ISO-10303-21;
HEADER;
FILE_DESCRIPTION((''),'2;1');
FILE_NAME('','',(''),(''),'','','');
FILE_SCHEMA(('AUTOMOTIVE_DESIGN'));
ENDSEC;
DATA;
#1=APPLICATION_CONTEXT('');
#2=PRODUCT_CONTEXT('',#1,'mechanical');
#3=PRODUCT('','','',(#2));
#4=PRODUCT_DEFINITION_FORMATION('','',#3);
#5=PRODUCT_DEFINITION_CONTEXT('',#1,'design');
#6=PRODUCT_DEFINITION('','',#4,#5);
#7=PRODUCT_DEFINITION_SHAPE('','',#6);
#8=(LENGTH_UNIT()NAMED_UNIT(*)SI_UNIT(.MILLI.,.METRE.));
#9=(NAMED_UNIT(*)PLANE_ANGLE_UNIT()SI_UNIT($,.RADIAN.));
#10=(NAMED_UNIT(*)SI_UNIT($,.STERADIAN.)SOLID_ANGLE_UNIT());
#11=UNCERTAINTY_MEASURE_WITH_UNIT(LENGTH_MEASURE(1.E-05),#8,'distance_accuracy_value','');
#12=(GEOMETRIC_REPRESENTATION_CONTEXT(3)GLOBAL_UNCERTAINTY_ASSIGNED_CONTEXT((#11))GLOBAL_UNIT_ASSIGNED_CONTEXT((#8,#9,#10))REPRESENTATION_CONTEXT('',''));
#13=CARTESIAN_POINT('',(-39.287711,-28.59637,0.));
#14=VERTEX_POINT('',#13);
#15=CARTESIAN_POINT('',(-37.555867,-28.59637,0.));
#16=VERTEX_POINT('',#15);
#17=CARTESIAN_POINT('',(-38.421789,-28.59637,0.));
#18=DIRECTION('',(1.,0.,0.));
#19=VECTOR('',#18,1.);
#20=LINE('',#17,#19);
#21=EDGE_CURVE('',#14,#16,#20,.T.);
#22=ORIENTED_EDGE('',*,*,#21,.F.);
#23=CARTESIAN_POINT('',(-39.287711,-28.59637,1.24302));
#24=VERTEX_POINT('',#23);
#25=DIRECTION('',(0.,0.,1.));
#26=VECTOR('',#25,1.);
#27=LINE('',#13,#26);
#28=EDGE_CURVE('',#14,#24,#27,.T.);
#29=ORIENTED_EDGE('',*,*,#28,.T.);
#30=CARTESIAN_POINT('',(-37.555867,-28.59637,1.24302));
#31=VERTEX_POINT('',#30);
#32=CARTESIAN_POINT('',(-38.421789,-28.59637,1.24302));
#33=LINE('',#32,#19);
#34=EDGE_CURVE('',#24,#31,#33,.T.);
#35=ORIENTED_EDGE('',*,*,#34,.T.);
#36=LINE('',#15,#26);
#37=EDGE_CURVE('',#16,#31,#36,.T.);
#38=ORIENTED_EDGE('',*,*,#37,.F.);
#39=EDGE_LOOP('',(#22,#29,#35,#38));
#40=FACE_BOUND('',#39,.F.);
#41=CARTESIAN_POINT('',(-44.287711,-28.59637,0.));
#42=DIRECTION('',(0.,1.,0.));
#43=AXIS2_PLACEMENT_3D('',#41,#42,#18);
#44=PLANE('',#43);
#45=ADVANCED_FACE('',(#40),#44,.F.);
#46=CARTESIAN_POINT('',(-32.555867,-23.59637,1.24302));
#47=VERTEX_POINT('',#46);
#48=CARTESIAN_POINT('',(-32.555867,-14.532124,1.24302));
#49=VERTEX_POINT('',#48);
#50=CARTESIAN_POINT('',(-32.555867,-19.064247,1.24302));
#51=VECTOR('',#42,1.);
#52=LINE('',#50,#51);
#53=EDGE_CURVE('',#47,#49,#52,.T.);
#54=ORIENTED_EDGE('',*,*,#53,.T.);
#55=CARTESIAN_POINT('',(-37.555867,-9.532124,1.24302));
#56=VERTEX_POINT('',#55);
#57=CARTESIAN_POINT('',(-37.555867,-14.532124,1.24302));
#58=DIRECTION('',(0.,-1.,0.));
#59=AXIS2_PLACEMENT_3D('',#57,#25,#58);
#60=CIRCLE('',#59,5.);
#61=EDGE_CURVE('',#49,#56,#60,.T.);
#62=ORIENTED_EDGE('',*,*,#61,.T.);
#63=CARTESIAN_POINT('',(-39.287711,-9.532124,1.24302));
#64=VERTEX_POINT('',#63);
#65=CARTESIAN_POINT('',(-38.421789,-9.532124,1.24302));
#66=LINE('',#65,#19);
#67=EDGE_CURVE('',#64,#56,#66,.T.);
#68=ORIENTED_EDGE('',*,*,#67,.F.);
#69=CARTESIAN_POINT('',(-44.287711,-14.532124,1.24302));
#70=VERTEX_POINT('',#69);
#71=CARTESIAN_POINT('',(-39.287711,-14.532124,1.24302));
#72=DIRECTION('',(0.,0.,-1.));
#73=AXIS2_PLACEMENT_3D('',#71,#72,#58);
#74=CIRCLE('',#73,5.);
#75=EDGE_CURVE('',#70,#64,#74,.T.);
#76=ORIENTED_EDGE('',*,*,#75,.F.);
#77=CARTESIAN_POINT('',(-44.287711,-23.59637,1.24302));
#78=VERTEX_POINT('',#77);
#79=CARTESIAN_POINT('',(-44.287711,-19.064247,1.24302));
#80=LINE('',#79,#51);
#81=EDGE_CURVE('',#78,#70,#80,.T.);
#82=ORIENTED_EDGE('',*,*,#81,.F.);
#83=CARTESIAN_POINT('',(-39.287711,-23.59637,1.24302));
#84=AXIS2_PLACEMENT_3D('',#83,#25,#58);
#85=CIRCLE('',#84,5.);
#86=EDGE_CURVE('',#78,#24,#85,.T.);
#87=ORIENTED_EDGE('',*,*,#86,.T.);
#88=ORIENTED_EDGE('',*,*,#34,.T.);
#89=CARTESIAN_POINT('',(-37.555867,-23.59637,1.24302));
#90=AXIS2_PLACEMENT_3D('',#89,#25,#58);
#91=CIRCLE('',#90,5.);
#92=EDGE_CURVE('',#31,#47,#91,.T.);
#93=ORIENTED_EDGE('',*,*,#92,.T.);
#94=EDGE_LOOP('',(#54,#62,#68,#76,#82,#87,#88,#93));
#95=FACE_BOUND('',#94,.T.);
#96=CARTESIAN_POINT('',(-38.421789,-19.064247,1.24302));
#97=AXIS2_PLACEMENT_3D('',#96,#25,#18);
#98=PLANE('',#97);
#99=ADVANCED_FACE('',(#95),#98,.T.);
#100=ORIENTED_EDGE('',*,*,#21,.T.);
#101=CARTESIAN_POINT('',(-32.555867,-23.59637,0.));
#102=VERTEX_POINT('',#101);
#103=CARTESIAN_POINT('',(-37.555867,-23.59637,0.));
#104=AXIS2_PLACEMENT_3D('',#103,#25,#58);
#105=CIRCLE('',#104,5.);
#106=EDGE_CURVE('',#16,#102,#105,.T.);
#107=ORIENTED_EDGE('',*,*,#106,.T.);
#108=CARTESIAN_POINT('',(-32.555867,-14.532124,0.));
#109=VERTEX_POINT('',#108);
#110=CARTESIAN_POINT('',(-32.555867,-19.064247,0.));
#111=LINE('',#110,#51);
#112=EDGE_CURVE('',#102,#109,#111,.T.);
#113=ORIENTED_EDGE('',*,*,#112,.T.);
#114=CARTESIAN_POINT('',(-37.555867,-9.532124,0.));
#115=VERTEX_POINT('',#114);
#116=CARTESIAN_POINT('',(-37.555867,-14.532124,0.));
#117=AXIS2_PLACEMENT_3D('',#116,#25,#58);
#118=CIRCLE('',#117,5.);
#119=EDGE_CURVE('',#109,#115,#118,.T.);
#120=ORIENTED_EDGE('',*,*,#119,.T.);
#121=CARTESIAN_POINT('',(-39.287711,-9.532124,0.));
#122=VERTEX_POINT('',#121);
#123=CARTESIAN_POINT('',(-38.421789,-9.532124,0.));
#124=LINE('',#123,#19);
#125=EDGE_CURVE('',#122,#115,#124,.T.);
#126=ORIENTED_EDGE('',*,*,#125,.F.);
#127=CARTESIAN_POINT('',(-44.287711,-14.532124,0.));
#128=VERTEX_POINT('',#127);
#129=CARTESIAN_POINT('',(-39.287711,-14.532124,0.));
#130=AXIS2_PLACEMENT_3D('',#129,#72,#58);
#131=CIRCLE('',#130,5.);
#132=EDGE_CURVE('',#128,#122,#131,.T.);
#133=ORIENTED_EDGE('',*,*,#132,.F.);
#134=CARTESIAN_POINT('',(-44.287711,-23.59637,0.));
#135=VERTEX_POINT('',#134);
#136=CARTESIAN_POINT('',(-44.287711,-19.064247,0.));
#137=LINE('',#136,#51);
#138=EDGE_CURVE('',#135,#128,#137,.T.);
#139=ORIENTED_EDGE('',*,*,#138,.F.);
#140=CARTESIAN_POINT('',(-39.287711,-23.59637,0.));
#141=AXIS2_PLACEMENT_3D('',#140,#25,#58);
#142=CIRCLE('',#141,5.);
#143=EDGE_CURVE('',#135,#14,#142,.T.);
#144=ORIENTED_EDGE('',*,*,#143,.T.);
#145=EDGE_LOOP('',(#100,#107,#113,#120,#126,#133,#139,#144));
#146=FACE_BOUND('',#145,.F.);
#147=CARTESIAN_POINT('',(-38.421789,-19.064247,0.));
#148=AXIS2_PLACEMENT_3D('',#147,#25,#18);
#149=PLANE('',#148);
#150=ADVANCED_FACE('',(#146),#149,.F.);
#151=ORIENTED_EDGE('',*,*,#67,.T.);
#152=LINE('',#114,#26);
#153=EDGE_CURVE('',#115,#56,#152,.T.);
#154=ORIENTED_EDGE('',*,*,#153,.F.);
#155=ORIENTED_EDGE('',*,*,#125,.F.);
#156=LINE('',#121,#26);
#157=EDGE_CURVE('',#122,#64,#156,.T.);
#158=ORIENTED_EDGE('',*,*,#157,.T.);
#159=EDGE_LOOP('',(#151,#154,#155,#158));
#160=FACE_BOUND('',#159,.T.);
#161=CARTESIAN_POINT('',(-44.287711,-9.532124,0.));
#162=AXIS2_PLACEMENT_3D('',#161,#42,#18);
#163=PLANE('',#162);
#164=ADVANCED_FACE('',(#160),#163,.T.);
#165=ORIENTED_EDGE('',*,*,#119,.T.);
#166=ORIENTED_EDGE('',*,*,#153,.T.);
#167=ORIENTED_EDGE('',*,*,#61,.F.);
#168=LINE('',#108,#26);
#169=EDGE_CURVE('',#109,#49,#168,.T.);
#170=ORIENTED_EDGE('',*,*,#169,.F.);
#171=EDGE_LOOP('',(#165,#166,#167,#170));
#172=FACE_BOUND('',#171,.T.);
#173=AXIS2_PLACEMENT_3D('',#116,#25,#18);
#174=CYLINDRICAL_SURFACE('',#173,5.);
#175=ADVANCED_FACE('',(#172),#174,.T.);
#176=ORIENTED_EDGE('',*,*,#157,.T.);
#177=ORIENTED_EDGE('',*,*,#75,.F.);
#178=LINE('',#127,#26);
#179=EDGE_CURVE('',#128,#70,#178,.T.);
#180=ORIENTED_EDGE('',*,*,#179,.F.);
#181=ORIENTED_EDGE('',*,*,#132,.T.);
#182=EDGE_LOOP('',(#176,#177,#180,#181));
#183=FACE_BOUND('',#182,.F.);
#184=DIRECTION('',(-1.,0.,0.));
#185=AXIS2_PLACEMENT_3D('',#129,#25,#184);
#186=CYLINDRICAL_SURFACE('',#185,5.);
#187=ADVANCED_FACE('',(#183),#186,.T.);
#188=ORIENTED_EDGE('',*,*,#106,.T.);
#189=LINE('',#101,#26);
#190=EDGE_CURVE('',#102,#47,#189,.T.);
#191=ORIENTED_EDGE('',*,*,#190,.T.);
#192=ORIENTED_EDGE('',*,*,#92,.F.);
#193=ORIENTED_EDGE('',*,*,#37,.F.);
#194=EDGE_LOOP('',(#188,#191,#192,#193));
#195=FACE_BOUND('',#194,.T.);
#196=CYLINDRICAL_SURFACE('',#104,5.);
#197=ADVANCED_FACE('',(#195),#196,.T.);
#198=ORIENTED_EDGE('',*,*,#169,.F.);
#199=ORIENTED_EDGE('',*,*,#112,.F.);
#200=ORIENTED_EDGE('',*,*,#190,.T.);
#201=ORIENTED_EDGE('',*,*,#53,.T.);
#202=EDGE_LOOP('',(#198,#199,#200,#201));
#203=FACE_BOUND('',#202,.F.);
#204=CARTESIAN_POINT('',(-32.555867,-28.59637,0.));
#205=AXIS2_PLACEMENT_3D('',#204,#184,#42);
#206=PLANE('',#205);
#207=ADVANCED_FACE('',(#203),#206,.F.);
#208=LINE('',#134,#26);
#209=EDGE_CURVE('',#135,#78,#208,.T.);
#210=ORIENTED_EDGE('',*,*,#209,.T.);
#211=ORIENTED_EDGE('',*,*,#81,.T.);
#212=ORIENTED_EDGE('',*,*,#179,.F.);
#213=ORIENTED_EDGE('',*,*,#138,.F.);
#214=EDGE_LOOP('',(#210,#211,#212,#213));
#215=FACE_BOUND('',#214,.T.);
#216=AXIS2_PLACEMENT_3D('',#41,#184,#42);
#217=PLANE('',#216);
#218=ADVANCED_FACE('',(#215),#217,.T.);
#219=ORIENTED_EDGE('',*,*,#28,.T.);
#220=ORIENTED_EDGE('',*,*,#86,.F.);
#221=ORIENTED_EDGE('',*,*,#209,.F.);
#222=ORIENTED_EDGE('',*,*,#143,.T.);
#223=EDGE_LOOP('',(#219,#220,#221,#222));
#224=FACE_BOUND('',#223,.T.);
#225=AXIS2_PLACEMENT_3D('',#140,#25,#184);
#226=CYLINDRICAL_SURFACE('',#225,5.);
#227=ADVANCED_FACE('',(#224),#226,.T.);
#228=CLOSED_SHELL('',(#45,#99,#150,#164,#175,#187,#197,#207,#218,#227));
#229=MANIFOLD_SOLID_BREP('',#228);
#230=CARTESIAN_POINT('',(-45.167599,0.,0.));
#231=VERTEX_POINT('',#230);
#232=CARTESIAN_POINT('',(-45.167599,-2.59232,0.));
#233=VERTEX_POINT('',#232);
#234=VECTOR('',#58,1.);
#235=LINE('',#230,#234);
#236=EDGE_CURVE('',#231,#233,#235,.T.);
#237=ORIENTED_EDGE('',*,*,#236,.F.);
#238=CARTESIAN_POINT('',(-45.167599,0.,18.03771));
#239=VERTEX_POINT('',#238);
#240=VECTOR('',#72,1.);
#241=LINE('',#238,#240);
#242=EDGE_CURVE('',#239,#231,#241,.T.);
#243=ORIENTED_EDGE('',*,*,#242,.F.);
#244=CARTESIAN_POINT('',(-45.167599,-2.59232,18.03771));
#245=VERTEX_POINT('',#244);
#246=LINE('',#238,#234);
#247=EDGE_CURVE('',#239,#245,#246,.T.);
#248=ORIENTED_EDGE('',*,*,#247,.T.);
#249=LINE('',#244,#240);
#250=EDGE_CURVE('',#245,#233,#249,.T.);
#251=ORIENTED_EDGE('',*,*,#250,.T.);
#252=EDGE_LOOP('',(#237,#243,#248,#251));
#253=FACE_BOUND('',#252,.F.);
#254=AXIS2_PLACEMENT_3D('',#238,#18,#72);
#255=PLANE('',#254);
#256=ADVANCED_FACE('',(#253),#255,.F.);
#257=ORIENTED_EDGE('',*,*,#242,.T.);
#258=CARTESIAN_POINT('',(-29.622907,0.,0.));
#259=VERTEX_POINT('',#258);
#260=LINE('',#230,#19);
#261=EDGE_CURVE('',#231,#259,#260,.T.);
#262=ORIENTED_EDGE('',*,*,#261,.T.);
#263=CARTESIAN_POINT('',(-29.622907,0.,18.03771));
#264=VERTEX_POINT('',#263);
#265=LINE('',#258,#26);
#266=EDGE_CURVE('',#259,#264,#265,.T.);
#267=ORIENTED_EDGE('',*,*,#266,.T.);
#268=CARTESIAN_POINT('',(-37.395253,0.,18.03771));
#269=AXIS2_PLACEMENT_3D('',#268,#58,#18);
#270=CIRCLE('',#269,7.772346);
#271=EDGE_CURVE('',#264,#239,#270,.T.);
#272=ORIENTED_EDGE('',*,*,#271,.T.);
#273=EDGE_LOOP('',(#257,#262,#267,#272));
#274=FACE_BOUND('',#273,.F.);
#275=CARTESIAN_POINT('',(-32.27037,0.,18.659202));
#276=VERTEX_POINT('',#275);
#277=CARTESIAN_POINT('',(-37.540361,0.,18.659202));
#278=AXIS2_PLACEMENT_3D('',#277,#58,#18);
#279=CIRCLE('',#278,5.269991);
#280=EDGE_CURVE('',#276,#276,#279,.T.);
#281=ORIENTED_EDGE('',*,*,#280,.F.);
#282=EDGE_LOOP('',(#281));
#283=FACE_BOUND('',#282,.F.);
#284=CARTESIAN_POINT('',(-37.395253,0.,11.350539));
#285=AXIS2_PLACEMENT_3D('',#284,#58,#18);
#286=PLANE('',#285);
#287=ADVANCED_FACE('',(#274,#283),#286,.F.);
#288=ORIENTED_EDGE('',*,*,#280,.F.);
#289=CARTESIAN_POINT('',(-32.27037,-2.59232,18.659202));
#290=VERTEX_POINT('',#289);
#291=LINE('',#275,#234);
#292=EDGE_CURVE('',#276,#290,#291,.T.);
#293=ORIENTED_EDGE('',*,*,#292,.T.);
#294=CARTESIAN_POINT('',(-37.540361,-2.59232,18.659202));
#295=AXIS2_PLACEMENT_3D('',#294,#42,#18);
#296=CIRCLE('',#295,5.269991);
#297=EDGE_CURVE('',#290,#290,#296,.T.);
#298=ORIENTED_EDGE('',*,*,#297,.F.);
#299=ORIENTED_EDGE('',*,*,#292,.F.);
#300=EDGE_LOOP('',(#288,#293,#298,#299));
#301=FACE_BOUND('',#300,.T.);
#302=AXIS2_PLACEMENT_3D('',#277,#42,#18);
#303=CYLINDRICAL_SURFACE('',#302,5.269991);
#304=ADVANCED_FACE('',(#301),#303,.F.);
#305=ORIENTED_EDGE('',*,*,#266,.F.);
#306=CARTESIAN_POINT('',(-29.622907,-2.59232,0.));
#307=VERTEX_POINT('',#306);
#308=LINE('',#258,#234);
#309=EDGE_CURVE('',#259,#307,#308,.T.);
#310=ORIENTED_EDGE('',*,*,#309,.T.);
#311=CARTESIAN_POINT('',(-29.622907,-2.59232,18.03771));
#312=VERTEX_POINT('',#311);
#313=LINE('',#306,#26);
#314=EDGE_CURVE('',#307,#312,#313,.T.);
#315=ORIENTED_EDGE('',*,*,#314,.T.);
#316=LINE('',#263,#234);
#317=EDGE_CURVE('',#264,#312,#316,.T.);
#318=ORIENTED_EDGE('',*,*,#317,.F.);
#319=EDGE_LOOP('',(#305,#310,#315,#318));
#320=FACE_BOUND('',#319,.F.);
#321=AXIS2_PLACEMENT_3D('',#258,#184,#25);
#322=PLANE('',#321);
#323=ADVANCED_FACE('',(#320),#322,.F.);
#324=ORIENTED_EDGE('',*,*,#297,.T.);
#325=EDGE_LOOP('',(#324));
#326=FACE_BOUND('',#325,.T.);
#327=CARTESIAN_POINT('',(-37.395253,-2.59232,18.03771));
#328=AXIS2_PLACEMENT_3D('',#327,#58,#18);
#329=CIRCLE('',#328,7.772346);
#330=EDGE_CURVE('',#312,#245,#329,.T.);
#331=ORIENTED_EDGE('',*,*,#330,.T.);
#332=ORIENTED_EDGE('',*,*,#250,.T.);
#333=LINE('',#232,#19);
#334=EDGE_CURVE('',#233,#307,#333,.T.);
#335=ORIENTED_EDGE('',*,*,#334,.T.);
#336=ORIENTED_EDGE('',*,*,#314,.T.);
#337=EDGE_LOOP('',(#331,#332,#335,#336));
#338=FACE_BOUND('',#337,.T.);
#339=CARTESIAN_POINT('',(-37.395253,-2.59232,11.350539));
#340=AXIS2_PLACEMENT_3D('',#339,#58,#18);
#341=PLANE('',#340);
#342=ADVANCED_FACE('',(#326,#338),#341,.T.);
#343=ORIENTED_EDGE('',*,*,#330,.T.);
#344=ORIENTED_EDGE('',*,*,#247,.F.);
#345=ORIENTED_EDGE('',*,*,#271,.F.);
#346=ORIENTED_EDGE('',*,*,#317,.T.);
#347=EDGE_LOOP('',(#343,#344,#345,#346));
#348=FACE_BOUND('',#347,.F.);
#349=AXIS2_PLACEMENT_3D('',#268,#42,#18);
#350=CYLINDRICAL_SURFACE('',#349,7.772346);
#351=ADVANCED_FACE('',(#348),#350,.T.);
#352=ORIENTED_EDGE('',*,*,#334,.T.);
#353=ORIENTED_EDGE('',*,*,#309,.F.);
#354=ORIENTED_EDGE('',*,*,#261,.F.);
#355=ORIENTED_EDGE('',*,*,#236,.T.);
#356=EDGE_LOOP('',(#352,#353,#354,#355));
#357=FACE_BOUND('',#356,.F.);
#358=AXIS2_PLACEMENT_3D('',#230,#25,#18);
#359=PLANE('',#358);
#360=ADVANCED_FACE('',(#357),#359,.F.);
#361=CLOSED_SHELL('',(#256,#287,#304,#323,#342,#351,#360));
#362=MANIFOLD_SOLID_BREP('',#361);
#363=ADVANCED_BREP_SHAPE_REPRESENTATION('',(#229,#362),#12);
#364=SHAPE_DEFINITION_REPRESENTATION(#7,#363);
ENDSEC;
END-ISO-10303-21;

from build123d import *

# Parameters (mm, degrees)
F1_DEPTH = 2.59232
F2_R     = 5.269991
F3_DEPTH = 25
F4_W     = 11.731844
F4_H     = 19.064246
F5_DEPTH = 1.24302
F6_R     = 5


with BuildPart() as f1:
    # F0 (on Front) → F1 (new body)
    with BuildSketch(Plane.XZ):
        with BuildLine():
            Line((-45.167599, 18.03771), (-45.167599, 0))
            Line((-45.167599, 0), (-29.622907, 0))
            Line((-29.622907, 0), (-29.622907, 18.03771))
            ThreePointArc((-29.622907, 18.03771), (-37.395253, 25.810056), (-45.167599, 18.03771))
        make_face()
    extrude(amount=F1_DEPTH)

    # F2 (on Front) → F3 (cut)
    with BuildSketch(Plane.XZ):
        with Locations((-37.540361, 18.659202)):
            Circle(F2_R)
    extrude(amount=F3_DEPTH, mode=Mode.SUBTRACT)


with BuildPart() as f5:
    # F4 (on Top) → F5 (new body)
    with BuildSketch(Plane.XY):
        with Locations((-38.421789, -19.064247)):
            Rectangle(F4_W, F4_H)
    extrude(amount=F5_DEPTH)

    # F6
    f6_edges = [f5.edges().sort_by_distance(p)[0] for p in [
        (-32.555867, -9.532124, 0.62151),
        (-44.287711, -9.532124, 0.62151),
        (-32.555867, -28.59637, 0.62151),
        (-44.287711, -28.59637, 0.62151),
    ]]
    fillet(f6_edges, radius=F6_R)


solid = Compound([f1.part, f5.part])
